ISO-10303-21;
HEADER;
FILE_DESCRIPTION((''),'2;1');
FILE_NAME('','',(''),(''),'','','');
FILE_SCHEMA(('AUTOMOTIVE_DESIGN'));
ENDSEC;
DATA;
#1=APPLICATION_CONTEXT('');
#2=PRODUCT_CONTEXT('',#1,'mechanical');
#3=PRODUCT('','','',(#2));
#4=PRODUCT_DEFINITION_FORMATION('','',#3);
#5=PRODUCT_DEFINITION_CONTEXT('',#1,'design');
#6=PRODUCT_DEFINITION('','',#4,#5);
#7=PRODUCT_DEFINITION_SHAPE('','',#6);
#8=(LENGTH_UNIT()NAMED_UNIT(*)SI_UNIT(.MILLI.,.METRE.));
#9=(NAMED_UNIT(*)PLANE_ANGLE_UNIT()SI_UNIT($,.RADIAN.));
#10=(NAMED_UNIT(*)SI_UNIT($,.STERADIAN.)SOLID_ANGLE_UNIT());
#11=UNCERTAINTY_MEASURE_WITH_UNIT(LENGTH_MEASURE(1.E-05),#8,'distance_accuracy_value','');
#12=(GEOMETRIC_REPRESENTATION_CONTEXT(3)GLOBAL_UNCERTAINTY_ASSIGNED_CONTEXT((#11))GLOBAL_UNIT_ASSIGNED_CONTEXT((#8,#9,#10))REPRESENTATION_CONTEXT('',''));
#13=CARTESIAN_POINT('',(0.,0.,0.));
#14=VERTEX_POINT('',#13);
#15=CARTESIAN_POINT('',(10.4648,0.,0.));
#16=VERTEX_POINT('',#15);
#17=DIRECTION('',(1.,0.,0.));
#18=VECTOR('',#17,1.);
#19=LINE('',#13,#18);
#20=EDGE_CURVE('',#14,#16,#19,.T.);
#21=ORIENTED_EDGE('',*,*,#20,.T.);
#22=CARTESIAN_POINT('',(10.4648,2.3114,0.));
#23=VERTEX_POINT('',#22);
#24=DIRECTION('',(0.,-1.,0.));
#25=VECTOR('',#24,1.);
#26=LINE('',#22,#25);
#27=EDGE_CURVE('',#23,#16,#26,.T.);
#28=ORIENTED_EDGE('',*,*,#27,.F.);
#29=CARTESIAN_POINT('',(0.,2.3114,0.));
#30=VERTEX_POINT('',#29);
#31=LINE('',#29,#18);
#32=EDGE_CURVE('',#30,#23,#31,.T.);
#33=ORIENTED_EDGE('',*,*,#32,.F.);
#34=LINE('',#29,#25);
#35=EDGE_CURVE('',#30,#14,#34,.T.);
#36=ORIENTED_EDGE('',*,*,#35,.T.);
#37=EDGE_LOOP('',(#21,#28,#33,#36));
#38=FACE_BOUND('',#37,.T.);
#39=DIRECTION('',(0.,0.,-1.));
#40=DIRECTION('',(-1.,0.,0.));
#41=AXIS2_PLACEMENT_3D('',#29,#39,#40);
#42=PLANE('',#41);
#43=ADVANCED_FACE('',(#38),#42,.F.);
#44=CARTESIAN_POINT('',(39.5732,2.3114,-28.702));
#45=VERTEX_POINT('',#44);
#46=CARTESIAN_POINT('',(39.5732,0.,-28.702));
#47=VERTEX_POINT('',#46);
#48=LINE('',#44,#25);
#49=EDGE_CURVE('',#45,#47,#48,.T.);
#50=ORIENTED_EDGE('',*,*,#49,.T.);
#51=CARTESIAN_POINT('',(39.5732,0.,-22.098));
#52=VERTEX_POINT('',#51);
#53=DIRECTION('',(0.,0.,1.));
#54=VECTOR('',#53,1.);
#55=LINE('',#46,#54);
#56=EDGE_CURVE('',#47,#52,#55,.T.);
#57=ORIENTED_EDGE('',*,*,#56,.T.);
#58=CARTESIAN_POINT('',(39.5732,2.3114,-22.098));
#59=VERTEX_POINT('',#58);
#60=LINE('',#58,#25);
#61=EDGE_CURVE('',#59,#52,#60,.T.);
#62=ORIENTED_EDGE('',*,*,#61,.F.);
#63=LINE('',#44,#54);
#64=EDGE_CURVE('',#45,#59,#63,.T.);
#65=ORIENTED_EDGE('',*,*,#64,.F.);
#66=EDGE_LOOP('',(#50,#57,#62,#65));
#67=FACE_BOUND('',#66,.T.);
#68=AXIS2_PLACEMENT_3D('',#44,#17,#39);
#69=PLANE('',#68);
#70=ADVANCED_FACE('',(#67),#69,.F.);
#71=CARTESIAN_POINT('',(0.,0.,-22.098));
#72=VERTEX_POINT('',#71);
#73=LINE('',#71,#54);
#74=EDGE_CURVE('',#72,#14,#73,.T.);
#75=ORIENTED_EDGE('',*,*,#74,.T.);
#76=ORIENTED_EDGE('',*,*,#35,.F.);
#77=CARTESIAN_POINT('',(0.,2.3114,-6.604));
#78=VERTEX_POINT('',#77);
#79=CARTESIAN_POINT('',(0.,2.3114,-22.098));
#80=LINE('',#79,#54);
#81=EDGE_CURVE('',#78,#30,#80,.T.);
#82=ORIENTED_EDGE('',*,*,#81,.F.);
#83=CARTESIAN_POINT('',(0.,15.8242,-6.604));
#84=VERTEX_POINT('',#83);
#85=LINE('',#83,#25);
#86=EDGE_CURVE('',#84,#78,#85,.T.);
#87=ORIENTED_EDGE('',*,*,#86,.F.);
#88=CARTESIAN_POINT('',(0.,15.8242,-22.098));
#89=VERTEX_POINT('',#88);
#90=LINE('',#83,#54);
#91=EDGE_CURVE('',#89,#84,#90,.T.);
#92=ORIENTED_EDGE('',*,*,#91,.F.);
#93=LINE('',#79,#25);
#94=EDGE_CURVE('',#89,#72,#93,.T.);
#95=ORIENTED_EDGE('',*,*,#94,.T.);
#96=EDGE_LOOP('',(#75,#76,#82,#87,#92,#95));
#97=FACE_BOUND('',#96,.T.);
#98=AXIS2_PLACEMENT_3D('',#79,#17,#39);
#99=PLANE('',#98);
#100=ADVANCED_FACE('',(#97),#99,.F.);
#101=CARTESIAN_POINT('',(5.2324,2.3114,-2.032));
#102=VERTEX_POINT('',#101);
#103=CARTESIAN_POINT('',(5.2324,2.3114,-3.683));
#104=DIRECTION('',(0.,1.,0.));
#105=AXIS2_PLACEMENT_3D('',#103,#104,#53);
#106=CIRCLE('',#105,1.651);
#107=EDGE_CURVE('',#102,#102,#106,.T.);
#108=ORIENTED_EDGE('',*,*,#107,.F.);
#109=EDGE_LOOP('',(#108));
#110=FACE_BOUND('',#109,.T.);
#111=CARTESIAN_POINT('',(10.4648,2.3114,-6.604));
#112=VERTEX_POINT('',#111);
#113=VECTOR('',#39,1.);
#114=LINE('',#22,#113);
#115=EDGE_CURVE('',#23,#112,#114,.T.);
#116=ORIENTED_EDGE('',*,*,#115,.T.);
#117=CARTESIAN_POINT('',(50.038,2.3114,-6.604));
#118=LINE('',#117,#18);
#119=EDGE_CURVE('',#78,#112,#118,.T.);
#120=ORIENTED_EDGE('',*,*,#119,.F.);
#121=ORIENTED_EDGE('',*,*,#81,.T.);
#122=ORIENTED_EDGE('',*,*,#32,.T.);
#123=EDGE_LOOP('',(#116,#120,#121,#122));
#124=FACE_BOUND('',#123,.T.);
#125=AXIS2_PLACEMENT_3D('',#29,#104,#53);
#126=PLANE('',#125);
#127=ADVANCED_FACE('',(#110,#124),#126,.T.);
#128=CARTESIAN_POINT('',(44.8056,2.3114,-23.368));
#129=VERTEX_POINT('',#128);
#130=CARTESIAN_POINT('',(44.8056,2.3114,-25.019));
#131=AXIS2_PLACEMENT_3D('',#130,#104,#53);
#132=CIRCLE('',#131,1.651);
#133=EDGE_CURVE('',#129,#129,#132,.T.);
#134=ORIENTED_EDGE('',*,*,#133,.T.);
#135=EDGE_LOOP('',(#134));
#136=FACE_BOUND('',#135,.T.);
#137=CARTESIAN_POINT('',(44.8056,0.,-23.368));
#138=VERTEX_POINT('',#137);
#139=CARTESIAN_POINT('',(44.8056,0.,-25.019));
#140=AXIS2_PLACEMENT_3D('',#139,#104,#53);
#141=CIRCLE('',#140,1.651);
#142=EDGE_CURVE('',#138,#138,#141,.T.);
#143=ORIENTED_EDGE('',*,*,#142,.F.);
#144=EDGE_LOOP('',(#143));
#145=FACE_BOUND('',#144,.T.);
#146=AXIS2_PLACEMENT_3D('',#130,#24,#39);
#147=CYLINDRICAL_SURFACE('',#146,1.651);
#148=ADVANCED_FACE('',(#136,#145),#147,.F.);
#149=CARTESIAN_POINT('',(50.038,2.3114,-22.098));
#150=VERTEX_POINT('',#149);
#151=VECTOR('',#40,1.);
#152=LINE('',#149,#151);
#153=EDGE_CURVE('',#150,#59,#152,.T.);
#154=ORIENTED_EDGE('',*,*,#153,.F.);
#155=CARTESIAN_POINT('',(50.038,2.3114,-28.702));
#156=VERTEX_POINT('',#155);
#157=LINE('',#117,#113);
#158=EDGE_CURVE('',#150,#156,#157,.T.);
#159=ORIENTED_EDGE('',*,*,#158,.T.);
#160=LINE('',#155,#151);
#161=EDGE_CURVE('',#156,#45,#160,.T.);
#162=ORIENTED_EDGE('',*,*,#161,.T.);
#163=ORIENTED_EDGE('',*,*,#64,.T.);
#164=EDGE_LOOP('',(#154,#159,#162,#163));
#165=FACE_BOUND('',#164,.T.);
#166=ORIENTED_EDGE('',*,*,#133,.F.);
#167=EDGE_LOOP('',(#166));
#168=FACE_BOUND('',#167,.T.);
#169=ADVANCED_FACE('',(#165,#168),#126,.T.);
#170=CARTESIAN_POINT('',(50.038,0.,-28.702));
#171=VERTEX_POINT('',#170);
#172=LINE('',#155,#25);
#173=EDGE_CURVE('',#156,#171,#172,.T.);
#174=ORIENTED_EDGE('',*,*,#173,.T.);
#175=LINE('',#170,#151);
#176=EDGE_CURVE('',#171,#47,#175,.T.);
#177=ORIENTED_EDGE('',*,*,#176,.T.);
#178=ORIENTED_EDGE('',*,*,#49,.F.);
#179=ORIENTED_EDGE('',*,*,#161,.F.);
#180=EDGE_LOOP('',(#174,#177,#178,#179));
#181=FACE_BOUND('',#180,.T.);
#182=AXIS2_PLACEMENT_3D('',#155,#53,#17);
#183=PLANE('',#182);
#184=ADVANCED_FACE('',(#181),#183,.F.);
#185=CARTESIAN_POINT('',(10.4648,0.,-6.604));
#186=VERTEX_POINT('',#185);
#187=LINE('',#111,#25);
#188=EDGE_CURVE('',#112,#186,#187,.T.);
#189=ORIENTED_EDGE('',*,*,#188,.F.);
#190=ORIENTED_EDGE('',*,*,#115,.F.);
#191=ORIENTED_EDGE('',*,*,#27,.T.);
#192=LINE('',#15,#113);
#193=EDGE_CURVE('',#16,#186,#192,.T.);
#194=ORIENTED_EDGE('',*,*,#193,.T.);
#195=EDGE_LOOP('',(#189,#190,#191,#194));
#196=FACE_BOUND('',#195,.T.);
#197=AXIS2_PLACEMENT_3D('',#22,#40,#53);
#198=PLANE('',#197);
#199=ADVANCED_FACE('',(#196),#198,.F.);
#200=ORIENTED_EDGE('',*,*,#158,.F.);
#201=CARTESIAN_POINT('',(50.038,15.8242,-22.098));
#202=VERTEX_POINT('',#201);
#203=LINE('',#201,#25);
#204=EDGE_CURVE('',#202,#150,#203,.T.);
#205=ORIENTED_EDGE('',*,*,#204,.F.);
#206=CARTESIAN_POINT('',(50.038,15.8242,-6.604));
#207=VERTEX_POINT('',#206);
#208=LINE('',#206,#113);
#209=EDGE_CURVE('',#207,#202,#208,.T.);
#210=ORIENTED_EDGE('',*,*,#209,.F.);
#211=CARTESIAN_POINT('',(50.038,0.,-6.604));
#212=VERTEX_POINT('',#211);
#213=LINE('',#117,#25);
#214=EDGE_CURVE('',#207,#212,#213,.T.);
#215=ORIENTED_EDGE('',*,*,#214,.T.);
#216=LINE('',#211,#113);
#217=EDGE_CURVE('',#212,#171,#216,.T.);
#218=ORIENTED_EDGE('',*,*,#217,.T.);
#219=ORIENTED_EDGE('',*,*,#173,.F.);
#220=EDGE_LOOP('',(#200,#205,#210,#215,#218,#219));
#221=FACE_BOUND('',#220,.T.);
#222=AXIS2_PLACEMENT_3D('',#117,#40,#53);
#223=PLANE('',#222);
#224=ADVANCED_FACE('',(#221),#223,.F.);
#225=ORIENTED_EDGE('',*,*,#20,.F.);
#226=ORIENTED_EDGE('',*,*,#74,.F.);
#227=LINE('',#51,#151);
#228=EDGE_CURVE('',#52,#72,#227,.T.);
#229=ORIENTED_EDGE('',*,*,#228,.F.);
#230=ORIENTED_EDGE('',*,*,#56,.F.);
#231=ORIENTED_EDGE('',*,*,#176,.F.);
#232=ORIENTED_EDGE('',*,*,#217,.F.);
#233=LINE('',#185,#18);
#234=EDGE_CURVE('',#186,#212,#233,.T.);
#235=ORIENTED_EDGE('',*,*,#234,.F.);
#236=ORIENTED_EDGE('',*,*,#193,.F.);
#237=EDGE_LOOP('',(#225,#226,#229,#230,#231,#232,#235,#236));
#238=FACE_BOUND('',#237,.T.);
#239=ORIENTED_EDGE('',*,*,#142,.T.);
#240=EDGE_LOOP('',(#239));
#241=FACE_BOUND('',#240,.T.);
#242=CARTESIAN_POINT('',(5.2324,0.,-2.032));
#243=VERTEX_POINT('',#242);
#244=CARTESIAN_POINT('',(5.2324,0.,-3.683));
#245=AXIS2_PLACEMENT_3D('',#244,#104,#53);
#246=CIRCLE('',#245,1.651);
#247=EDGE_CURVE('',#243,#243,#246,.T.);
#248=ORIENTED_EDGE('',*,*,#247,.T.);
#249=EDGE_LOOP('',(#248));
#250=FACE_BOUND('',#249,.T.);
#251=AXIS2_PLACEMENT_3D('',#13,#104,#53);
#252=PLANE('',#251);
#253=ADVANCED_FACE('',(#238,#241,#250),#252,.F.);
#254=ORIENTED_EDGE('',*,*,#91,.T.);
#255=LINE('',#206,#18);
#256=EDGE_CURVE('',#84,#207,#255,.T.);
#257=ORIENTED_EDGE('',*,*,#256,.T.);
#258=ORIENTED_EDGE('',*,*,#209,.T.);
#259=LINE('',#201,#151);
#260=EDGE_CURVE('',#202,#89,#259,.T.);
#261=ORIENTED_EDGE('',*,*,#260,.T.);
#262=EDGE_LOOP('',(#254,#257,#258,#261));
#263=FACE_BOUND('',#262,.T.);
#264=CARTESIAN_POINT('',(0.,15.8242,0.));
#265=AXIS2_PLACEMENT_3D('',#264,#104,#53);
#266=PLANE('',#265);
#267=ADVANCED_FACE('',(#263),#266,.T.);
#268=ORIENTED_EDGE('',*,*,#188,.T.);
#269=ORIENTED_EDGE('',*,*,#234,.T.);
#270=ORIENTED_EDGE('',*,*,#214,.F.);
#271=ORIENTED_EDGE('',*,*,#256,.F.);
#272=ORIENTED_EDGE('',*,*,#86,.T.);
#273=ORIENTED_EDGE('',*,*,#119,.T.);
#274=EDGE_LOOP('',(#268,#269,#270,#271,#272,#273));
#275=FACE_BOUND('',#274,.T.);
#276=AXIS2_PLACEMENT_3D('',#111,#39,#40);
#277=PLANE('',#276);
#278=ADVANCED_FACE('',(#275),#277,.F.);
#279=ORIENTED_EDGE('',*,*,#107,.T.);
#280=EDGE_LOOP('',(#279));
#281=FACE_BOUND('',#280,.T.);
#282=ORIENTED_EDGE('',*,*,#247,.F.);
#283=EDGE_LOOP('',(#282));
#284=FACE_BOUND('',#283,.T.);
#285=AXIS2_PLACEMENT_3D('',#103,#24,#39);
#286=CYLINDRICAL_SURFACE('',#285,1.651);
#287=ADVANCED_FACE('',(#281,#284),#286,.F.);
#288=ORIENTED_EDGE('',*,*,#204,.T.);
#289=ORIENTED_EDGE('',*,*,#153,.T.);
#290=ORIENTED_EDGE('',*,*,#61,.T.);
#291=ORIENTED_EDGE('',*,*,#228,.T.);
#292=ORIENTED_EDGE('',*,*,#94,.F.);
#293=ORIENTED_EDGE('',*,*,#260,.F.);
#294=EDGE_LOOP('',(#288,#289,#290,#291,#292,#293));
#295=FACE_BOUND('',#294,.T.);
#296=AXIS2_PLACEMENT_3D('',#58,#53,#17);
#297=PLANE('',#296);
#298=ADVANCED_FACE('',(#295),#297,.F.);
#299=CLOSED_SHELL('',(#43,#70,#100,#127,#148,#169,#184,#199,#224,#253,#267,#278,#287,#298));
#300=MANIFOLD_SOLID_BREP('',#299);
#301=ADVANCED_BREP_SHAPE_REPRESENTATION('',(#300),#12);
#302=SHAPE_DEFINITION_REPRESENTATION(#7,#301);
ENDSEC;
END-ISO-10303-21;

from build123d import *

# Parameters (mm, degrees)
SKETCH1_R           = 1.651
BOSS_EXTRUDE1_DEPTH = 2.3114
SKETCH2_W           = 50.038
SKETCH2_H           = 15.494
BOSS_EXTRUDE2_DEPTH = 13.5128


with BuildPart() as part:
    # Sketch1 → Boss-Extrude1 (new body)
    with BuildSketch(Plane(origin=(0, 0, 0), x_dir=(1, 0, 0), z_dir=(0, 1, 0))):
        Polygon((0, 0), (10.4648, 0), (10.4648, 6.604), (50.038, 6.604), (50.038, 28.702), (39.5732, 28.702), (39.5732, 22.098), (0, 22.098), align=None)
        with Locations(Location((5.2324, 3.683, 0), (0, 0, 270))):
            Circle(SKETCH1_R, mode=Mode.SUBTRACT)
        with Locations(Location((44.8056, 25.019, 0), (0, 0, 270))):
            Circle(SKETCH1_R, mode=Mode.SUBTRACT)
    extrude(amount=BOSS_EXTRUDE1_DEPTH)

    # Sketch2 → Boss-Extrude2 (add)
    with BuildSketch(Plane(origin=(0, 2.3114, 0), x_dir=(1, 0, 0), z_dir=(0, 1, 0))):
        with Locations((25.019, 14.351)):
            Rectangle(SKETCH2_W, SKETCH2_H)
    extrude(amount=BOSS_EXTRUDE2_DEPTH)


solid = part.part
